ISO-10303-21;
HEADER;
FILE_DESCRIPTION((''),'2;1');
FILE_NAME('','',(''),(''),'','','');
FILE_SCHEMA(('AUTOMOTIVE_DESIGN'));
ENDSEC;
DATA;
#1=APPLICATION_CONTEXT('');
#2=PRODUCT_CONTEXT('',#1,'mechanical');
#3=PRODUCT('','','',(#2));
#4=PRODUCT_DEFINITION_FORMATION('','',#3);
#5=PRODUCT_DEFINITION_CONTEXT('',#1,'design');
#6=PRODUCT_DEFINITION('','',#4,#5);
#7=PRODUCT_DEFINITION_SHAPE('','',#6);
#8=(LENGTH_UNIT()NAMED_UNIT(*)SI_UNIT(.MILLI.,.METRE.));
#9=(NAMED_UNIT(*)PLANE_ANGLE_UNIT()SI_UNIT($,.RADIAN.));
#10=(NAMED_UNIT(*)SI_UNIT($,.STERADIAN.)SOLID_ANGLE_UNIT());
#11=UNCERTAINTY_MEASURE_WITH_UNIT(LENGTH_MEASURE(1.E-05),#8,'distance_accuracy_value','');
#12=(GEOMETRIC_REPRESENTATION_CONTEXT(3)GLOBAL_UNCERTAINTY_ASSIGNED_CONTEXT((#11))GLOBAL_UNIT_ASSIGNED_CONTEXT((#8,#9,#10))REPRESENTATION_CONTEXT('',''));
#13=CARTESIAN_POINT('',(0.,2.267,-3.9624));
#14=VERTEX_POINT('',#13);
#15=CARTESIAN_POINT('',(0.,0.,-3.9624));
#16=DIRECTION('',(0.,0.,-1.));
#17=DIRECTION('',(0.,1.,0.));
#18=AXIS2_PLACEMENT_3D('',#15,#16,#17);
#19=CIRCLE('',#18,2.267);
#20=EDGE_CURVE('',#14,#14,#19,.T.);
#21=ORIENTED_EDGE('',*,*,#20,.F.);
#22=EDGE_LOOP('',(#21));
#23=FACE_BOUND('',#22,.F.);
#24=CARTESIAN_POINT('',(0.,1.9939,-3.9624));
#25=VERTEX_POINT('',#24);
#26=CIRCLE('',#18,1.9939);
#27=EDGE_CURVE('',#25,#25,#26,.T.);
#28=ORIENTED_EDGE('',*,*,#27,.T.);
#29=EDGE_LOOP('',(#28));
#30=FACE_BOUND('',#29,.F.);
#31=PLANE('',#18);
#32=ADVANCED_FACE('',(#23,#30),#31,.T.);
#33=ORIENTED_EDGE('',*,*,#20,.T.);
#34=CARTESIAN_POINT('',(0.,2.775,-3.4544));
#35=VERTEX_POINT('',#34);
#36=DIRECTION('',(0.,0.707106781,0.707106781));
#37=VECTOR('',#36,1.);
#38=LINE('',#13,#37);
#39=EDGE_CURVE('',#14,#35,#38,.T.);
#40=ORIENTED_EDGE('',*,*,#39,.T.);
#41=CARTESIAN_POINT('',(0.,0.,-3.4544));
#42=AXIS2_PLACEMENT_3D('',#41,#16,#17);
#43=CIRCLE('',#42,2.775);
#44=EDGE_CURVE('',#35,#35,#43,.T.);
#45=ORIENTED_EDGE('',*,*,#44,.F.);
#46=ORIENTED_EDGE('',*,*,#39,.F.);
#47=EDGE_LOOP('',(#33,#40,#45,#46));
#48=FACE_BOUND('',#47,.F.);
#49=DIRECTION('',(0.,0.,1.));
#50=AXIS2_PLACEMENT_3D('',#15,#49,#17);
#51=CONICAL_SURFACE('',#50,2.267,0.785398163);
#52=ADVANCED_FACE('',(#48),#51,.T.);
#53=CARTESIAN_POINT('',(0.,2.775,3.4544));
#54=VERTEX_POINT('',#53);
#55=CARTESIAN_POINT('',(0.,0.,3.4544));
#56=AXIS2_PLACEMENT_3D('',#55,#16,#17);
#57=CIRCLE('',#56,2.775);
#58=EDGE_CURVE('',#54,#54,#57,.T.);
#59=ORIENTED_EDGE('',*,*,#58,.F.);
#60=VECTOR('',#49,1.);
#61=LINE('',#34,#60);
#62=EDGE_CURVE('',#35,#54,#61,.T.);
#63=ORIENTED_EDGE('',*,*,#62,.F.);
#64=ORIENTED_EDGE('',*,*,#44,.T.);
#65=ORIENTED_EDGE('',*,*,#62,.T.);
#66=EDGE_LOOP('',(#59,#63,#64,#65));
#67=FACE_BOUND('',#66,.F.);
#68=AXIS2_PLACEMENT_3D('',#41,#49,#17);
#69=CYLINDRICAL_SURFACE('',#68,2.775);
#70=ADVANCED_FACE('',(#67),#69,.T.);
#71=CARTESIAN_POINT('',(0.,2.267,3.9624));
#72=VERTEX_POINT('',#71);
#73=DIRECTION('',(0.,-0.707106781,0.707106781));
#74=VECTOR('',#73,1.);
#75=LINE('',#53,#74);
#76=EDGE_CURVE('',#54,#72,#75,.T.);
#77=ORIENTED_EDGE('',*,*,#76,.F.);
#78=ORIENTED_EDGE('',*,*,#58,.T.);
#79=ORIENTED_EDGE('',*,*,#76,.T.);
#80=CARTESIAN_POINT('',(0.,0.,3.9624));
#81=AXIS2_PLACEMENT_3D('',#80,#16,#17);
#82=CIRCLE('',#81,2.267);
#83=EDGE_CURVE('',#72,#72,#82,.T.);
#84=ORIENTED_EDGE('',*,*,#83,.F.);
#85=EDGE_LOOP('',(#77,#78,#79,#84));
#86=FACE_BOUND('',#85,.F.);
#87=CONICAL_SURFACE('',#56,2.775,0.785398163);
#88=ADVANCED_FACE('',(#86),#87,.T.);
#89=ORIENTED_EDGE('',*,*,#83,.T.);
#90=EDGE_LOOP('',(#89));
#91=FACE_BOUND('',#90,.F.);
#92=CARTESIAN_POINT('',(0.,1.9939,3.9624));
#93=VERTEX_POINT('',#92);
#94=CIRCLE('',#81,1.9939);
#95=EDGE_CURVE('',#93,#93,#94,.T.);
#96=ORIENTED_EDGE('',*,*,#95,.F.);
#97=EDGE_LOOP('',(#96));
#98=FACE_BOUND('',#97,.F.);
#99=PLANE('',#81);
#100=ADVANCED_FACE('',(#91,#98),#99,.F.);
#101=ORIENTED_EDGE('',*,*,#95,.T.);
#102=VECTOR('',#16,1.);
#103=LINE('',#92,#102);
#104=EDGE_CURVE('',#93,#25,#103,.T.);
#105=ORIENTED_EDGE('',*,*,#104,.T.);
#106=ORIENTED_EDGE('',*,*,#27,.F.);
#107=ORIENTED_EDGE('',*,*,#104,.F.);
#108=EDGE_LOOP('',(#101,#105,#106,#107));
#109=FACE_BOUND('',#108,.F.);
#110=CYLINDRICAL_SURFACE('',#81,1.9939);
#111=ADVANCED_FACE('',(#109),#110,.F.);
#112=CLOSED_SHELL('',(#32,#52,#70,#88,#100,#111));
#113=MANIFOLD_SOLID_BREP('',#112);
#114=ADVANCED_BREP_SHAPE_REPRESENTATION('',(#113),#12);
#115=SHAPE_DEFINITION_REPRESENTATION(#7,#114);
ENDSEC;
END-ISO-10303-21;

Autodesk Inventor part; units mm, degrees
sketch "Sketch_1" plane through (0, 0, 0) normal (1, 0, 0) x (0, 1, 0)
  line L0 (0, -3.9624) -> (0, 3.9624)
  line L1 (1.9939, 3.9624) -> (1.9939, -3.9624)
  line L2 (1.9939, -3.9624) -> (2.267, -3.9624)
  line L3 (2.267, -3.9624) -> (2.775, -3.4544)
  line L4 (2.775, -3.4544) -> (2.775, 3.4544)
  line L5 (2.775, 3.4544) -> (2.267, 3.9624)
  line L6 (2.267, 3.9624) -> (1.9939, 3.9624)
revolve "Revolution1" add sketch "Sketch_1" angle 360 about axis through (0, 0, -3.9624) along (0, 0, -1)
ref_plane "bushing_XY" through (0, 0, 0) normal (0, 0, 1) x (1, 0, 0)
ref_plane "bushing_YZ" through (0, 0, 0) normal (1, 0, 0) x (0, 1, 0)
ref_plane "bushing_ZX" through (0, 0, 0) normal (0, 1, 0) x (0, 0, 1)
ref_plane "id1_XY" through (-1.9939, 0, 0) normal (0, 0, 1) x (1, 0, 0)
ref_plane "id1_YZ" through (-1.9939, 0, 0) normal (1, 0, 0) x (0, 1, 0)
ref_plane "id1_ZX" through (-1.9939, 0, 0) normal (0, 1, 0) x (0, 0, 1)
ref_plane "id2_XY" through (1.9939, 0, 0) normal (0, 0, 1) x (1, 0, 0)
ref_plane "id2_YZ" through (1.9939, 0, 0) normal (1, 0, 0) x (0, 1, 0)
ref_plane "id2_ZX" through (1.9939, 0, 0) normal (0, 1, 0) x (0, 0, 1)
ref_plane "id3_XY" through (0, 0, -3.9624) normal (0, 0, -1) x (0, 1, 0)
ref_plane "id3_YZ" through (0, 0, -3.9624) normal (0, 1, 0) x (1, 0, 0)
ref_plane "id3_ZX" through (0, 0, -3.9624) normal (1, 0, 0) x (0, 0, -1)
ref_plane "id4_XY" through (0, 0, 3.9624) normal (0, 0, 1) x (0, 1, 0)
ref_plane "id4_YZ" through (0, 0, 3.9624) normal (0, 1, 0) x (-1, 0, 0)
ref_plane "id4_ZX" through (0, 0, 3.9624) normal (-1, 0, 0) x (0, 0, 1)
properties part number "D-8597"
